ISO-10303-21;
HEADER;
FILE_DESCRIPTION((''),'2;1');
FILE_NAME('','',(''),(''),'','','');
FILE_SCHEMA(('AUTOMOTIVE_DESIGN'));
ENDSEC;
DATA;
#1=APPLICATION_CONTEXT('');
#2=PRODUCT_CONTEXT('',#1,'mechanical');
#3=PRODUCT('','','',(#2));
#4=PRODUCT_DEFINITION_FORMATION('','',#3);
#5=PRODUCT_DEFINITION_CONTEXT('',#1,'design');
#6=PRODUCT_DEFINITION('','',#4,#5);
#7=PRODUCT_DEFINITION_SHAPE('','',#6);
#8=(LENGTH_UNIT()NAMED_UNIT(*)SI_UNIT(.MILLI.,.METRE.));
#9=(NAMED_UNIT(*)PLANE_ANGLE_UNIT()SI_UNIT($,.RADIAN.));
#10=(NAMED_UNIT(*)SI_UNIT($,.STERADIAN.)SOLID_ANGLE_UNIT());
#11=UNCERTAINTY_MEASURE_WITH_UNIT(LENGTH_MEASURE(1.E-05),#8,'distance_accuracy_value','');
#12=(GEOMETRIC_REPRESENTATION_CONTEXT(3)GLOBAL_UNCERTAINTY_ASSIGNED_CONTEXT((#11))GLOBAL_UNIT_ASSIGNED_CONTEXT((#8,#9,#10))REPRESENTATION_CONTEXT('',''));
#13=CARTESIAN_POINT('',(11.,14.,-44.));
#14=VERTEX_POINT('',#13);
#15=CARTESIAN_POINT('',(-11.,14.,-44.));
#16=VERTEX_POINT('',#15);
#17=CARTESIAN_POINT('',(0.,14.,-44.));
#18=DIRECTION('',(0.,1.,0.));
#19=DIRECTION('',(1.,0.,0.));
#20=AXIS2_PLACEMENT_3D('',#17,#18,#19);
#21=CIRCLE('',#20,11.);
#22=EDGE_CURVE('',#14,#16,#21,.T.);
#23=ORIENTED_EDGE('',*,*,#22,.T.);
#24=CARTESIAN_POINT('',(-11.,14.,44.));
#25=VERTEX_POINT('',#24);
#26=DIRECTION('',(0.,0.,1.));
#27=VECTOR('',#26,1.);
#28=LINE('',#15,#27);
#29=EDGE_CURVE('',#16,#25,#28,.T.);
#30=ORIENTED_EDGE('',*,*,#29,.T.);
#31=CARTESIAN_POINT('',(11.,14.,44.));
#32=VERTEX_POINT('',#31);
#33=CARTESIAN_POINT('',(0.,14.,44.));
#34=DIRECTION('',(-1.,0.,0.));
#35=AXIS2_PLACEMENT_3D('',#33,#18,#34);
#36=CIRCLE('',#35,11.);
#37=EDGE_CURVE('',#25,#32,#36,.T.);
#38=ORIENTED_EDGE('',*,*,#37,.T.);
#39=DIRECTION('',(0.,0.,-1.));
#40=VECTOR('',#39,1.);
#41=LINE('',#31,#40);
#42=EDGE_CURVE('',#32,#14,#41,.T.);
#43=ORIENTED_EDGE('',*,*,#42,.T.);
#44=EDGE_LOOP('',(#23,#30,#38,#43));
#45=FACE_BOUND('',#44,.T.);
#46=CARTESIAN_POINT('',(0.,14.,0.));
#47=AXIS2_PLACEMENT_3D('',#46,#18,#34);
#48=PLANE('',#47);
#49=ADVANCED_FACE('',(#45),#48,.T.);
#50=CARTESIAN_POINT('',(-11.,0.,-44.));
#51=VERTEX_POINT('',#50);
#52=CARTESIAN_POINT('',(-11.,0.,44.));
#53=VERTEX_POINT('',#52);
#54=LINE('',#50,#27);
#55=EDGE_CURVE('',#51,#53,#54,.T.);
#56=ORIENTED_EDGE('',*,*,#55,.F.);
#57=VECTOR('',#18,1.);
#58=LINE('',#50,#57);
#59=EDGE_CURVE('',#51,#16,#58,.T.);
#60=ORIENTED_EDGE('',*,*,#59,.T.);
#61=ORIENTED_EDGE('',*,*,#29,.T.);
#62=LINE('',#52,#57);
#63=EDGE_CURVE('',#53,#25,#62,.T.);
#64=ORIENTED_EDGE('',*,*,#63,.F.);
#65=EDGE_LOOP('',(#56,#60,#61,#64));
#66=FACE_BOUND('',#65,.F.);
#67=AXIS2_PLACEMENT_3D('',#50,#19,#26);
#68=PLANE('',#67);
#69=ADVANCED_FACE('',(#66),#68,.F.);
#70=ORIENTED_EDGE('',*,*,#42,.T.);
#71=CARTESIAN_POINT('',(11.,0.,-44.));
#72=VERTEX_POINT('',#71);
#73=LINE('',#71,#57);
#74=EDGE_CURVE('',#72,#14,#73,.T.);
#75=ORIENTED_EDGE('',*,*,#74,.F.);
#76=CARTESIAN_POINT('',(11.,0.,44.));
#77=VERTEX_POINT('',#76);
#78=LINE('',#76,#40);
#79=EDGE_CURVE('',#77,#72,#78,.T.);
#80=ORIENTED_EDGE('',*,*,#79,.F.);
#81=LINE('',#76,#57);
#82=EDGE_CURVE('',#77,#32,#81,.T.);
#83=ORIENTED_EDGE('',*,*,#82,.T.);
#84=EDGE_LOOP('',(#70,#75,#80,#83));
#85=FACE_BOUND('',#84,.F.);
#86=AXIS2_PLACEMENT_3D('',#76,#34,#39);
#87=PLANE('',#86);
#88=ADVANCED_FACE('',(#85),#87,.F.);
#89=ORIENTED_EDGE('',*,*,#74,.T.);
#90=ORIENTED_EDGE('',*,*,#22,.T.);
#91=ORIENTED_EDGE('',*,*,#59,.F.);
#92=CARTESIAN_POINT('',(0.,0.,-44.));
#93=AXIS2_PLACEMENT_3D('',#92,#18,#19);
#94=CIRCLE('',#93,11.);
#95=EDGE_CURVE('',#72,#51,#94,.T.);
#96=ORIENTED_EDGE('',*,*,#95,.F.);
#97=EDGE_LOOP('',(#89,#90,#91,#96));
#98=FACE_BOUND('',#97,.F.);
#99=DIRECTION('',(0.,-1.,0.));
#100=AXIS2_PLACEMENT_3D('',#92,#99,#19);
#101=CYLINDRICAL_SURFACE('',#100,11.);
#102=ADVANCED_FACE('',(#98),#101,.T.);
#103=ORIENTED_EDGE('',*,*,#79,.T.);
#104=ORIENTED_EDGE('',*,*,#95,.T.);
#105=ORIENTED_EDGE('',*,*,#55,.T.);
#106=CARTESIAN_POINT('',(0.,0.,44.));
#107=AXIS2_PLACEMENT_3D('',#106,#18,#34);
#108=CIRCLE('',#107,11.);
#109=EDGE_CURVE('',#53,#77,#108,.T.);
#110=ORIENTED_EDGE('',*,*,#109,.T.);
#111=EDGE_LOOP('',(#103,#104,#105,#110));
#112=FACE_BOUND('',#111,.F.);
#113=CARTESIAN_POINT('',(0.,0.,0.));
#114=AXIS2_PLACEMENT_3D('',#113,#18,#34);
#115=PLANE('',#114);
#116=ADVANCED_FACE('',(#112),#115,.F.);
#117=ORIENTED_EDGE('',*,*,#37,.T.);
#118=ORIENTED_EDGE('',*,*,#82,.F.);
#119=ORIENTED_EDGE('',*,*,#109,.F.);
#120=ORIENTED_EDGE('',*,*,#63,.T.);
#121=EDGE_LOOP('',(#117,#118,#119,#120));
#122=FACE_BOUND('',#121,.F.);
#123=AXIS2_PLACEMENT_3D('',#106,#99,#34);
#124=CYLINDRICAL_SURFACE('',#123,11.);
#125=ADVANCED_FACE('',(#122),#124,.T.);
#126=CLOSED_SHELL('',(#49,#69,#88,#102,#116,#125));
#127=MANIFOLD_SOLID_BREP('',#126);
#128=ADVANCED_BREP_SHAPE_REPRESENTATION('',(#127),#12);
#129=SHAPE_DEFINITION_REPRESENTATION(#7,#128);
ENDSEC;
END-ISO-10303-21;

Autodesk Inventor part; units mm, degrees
ref_plane "YZ Plane" through (0, 0, 0) normal (1, 0, 0) x (0, 1, 0)
ref_plane "XZ Plane" through (0, 0, 0) normal (0, 1, 0) x (-1, 0, 0)
ref_plane "XY Plane" through (0, 0, 0) normal (0, 0, 1) x (1, 0, 0)
sketch "Эскиз1" plane through (0, 0, 0) normal (0, 1, 0) x (-1, 0, 0)
  line L0 (0, -44) -> (0, 44) construction
  line L1 (11, -44) -> (11, 44)
  line L2 (-11, 44) -> (-11, -44)
  arc A0 (-11, -44) -> (11, -44) centre (0, -44) ccw
  arc A1 (11, 44) -> (-11, 44) centre (0, 44) ccw
  point P0 (0, 0)
  point P1 (0, 0)
  dimension "d0" = 22
  dimension "d1" = 110
extrude "Выдавливание1" add sketch "Эскиз1" along normal blind 14
properties part number "МПСТ Шпонка тихоходного вала" material "Сталь, углеродистая"
